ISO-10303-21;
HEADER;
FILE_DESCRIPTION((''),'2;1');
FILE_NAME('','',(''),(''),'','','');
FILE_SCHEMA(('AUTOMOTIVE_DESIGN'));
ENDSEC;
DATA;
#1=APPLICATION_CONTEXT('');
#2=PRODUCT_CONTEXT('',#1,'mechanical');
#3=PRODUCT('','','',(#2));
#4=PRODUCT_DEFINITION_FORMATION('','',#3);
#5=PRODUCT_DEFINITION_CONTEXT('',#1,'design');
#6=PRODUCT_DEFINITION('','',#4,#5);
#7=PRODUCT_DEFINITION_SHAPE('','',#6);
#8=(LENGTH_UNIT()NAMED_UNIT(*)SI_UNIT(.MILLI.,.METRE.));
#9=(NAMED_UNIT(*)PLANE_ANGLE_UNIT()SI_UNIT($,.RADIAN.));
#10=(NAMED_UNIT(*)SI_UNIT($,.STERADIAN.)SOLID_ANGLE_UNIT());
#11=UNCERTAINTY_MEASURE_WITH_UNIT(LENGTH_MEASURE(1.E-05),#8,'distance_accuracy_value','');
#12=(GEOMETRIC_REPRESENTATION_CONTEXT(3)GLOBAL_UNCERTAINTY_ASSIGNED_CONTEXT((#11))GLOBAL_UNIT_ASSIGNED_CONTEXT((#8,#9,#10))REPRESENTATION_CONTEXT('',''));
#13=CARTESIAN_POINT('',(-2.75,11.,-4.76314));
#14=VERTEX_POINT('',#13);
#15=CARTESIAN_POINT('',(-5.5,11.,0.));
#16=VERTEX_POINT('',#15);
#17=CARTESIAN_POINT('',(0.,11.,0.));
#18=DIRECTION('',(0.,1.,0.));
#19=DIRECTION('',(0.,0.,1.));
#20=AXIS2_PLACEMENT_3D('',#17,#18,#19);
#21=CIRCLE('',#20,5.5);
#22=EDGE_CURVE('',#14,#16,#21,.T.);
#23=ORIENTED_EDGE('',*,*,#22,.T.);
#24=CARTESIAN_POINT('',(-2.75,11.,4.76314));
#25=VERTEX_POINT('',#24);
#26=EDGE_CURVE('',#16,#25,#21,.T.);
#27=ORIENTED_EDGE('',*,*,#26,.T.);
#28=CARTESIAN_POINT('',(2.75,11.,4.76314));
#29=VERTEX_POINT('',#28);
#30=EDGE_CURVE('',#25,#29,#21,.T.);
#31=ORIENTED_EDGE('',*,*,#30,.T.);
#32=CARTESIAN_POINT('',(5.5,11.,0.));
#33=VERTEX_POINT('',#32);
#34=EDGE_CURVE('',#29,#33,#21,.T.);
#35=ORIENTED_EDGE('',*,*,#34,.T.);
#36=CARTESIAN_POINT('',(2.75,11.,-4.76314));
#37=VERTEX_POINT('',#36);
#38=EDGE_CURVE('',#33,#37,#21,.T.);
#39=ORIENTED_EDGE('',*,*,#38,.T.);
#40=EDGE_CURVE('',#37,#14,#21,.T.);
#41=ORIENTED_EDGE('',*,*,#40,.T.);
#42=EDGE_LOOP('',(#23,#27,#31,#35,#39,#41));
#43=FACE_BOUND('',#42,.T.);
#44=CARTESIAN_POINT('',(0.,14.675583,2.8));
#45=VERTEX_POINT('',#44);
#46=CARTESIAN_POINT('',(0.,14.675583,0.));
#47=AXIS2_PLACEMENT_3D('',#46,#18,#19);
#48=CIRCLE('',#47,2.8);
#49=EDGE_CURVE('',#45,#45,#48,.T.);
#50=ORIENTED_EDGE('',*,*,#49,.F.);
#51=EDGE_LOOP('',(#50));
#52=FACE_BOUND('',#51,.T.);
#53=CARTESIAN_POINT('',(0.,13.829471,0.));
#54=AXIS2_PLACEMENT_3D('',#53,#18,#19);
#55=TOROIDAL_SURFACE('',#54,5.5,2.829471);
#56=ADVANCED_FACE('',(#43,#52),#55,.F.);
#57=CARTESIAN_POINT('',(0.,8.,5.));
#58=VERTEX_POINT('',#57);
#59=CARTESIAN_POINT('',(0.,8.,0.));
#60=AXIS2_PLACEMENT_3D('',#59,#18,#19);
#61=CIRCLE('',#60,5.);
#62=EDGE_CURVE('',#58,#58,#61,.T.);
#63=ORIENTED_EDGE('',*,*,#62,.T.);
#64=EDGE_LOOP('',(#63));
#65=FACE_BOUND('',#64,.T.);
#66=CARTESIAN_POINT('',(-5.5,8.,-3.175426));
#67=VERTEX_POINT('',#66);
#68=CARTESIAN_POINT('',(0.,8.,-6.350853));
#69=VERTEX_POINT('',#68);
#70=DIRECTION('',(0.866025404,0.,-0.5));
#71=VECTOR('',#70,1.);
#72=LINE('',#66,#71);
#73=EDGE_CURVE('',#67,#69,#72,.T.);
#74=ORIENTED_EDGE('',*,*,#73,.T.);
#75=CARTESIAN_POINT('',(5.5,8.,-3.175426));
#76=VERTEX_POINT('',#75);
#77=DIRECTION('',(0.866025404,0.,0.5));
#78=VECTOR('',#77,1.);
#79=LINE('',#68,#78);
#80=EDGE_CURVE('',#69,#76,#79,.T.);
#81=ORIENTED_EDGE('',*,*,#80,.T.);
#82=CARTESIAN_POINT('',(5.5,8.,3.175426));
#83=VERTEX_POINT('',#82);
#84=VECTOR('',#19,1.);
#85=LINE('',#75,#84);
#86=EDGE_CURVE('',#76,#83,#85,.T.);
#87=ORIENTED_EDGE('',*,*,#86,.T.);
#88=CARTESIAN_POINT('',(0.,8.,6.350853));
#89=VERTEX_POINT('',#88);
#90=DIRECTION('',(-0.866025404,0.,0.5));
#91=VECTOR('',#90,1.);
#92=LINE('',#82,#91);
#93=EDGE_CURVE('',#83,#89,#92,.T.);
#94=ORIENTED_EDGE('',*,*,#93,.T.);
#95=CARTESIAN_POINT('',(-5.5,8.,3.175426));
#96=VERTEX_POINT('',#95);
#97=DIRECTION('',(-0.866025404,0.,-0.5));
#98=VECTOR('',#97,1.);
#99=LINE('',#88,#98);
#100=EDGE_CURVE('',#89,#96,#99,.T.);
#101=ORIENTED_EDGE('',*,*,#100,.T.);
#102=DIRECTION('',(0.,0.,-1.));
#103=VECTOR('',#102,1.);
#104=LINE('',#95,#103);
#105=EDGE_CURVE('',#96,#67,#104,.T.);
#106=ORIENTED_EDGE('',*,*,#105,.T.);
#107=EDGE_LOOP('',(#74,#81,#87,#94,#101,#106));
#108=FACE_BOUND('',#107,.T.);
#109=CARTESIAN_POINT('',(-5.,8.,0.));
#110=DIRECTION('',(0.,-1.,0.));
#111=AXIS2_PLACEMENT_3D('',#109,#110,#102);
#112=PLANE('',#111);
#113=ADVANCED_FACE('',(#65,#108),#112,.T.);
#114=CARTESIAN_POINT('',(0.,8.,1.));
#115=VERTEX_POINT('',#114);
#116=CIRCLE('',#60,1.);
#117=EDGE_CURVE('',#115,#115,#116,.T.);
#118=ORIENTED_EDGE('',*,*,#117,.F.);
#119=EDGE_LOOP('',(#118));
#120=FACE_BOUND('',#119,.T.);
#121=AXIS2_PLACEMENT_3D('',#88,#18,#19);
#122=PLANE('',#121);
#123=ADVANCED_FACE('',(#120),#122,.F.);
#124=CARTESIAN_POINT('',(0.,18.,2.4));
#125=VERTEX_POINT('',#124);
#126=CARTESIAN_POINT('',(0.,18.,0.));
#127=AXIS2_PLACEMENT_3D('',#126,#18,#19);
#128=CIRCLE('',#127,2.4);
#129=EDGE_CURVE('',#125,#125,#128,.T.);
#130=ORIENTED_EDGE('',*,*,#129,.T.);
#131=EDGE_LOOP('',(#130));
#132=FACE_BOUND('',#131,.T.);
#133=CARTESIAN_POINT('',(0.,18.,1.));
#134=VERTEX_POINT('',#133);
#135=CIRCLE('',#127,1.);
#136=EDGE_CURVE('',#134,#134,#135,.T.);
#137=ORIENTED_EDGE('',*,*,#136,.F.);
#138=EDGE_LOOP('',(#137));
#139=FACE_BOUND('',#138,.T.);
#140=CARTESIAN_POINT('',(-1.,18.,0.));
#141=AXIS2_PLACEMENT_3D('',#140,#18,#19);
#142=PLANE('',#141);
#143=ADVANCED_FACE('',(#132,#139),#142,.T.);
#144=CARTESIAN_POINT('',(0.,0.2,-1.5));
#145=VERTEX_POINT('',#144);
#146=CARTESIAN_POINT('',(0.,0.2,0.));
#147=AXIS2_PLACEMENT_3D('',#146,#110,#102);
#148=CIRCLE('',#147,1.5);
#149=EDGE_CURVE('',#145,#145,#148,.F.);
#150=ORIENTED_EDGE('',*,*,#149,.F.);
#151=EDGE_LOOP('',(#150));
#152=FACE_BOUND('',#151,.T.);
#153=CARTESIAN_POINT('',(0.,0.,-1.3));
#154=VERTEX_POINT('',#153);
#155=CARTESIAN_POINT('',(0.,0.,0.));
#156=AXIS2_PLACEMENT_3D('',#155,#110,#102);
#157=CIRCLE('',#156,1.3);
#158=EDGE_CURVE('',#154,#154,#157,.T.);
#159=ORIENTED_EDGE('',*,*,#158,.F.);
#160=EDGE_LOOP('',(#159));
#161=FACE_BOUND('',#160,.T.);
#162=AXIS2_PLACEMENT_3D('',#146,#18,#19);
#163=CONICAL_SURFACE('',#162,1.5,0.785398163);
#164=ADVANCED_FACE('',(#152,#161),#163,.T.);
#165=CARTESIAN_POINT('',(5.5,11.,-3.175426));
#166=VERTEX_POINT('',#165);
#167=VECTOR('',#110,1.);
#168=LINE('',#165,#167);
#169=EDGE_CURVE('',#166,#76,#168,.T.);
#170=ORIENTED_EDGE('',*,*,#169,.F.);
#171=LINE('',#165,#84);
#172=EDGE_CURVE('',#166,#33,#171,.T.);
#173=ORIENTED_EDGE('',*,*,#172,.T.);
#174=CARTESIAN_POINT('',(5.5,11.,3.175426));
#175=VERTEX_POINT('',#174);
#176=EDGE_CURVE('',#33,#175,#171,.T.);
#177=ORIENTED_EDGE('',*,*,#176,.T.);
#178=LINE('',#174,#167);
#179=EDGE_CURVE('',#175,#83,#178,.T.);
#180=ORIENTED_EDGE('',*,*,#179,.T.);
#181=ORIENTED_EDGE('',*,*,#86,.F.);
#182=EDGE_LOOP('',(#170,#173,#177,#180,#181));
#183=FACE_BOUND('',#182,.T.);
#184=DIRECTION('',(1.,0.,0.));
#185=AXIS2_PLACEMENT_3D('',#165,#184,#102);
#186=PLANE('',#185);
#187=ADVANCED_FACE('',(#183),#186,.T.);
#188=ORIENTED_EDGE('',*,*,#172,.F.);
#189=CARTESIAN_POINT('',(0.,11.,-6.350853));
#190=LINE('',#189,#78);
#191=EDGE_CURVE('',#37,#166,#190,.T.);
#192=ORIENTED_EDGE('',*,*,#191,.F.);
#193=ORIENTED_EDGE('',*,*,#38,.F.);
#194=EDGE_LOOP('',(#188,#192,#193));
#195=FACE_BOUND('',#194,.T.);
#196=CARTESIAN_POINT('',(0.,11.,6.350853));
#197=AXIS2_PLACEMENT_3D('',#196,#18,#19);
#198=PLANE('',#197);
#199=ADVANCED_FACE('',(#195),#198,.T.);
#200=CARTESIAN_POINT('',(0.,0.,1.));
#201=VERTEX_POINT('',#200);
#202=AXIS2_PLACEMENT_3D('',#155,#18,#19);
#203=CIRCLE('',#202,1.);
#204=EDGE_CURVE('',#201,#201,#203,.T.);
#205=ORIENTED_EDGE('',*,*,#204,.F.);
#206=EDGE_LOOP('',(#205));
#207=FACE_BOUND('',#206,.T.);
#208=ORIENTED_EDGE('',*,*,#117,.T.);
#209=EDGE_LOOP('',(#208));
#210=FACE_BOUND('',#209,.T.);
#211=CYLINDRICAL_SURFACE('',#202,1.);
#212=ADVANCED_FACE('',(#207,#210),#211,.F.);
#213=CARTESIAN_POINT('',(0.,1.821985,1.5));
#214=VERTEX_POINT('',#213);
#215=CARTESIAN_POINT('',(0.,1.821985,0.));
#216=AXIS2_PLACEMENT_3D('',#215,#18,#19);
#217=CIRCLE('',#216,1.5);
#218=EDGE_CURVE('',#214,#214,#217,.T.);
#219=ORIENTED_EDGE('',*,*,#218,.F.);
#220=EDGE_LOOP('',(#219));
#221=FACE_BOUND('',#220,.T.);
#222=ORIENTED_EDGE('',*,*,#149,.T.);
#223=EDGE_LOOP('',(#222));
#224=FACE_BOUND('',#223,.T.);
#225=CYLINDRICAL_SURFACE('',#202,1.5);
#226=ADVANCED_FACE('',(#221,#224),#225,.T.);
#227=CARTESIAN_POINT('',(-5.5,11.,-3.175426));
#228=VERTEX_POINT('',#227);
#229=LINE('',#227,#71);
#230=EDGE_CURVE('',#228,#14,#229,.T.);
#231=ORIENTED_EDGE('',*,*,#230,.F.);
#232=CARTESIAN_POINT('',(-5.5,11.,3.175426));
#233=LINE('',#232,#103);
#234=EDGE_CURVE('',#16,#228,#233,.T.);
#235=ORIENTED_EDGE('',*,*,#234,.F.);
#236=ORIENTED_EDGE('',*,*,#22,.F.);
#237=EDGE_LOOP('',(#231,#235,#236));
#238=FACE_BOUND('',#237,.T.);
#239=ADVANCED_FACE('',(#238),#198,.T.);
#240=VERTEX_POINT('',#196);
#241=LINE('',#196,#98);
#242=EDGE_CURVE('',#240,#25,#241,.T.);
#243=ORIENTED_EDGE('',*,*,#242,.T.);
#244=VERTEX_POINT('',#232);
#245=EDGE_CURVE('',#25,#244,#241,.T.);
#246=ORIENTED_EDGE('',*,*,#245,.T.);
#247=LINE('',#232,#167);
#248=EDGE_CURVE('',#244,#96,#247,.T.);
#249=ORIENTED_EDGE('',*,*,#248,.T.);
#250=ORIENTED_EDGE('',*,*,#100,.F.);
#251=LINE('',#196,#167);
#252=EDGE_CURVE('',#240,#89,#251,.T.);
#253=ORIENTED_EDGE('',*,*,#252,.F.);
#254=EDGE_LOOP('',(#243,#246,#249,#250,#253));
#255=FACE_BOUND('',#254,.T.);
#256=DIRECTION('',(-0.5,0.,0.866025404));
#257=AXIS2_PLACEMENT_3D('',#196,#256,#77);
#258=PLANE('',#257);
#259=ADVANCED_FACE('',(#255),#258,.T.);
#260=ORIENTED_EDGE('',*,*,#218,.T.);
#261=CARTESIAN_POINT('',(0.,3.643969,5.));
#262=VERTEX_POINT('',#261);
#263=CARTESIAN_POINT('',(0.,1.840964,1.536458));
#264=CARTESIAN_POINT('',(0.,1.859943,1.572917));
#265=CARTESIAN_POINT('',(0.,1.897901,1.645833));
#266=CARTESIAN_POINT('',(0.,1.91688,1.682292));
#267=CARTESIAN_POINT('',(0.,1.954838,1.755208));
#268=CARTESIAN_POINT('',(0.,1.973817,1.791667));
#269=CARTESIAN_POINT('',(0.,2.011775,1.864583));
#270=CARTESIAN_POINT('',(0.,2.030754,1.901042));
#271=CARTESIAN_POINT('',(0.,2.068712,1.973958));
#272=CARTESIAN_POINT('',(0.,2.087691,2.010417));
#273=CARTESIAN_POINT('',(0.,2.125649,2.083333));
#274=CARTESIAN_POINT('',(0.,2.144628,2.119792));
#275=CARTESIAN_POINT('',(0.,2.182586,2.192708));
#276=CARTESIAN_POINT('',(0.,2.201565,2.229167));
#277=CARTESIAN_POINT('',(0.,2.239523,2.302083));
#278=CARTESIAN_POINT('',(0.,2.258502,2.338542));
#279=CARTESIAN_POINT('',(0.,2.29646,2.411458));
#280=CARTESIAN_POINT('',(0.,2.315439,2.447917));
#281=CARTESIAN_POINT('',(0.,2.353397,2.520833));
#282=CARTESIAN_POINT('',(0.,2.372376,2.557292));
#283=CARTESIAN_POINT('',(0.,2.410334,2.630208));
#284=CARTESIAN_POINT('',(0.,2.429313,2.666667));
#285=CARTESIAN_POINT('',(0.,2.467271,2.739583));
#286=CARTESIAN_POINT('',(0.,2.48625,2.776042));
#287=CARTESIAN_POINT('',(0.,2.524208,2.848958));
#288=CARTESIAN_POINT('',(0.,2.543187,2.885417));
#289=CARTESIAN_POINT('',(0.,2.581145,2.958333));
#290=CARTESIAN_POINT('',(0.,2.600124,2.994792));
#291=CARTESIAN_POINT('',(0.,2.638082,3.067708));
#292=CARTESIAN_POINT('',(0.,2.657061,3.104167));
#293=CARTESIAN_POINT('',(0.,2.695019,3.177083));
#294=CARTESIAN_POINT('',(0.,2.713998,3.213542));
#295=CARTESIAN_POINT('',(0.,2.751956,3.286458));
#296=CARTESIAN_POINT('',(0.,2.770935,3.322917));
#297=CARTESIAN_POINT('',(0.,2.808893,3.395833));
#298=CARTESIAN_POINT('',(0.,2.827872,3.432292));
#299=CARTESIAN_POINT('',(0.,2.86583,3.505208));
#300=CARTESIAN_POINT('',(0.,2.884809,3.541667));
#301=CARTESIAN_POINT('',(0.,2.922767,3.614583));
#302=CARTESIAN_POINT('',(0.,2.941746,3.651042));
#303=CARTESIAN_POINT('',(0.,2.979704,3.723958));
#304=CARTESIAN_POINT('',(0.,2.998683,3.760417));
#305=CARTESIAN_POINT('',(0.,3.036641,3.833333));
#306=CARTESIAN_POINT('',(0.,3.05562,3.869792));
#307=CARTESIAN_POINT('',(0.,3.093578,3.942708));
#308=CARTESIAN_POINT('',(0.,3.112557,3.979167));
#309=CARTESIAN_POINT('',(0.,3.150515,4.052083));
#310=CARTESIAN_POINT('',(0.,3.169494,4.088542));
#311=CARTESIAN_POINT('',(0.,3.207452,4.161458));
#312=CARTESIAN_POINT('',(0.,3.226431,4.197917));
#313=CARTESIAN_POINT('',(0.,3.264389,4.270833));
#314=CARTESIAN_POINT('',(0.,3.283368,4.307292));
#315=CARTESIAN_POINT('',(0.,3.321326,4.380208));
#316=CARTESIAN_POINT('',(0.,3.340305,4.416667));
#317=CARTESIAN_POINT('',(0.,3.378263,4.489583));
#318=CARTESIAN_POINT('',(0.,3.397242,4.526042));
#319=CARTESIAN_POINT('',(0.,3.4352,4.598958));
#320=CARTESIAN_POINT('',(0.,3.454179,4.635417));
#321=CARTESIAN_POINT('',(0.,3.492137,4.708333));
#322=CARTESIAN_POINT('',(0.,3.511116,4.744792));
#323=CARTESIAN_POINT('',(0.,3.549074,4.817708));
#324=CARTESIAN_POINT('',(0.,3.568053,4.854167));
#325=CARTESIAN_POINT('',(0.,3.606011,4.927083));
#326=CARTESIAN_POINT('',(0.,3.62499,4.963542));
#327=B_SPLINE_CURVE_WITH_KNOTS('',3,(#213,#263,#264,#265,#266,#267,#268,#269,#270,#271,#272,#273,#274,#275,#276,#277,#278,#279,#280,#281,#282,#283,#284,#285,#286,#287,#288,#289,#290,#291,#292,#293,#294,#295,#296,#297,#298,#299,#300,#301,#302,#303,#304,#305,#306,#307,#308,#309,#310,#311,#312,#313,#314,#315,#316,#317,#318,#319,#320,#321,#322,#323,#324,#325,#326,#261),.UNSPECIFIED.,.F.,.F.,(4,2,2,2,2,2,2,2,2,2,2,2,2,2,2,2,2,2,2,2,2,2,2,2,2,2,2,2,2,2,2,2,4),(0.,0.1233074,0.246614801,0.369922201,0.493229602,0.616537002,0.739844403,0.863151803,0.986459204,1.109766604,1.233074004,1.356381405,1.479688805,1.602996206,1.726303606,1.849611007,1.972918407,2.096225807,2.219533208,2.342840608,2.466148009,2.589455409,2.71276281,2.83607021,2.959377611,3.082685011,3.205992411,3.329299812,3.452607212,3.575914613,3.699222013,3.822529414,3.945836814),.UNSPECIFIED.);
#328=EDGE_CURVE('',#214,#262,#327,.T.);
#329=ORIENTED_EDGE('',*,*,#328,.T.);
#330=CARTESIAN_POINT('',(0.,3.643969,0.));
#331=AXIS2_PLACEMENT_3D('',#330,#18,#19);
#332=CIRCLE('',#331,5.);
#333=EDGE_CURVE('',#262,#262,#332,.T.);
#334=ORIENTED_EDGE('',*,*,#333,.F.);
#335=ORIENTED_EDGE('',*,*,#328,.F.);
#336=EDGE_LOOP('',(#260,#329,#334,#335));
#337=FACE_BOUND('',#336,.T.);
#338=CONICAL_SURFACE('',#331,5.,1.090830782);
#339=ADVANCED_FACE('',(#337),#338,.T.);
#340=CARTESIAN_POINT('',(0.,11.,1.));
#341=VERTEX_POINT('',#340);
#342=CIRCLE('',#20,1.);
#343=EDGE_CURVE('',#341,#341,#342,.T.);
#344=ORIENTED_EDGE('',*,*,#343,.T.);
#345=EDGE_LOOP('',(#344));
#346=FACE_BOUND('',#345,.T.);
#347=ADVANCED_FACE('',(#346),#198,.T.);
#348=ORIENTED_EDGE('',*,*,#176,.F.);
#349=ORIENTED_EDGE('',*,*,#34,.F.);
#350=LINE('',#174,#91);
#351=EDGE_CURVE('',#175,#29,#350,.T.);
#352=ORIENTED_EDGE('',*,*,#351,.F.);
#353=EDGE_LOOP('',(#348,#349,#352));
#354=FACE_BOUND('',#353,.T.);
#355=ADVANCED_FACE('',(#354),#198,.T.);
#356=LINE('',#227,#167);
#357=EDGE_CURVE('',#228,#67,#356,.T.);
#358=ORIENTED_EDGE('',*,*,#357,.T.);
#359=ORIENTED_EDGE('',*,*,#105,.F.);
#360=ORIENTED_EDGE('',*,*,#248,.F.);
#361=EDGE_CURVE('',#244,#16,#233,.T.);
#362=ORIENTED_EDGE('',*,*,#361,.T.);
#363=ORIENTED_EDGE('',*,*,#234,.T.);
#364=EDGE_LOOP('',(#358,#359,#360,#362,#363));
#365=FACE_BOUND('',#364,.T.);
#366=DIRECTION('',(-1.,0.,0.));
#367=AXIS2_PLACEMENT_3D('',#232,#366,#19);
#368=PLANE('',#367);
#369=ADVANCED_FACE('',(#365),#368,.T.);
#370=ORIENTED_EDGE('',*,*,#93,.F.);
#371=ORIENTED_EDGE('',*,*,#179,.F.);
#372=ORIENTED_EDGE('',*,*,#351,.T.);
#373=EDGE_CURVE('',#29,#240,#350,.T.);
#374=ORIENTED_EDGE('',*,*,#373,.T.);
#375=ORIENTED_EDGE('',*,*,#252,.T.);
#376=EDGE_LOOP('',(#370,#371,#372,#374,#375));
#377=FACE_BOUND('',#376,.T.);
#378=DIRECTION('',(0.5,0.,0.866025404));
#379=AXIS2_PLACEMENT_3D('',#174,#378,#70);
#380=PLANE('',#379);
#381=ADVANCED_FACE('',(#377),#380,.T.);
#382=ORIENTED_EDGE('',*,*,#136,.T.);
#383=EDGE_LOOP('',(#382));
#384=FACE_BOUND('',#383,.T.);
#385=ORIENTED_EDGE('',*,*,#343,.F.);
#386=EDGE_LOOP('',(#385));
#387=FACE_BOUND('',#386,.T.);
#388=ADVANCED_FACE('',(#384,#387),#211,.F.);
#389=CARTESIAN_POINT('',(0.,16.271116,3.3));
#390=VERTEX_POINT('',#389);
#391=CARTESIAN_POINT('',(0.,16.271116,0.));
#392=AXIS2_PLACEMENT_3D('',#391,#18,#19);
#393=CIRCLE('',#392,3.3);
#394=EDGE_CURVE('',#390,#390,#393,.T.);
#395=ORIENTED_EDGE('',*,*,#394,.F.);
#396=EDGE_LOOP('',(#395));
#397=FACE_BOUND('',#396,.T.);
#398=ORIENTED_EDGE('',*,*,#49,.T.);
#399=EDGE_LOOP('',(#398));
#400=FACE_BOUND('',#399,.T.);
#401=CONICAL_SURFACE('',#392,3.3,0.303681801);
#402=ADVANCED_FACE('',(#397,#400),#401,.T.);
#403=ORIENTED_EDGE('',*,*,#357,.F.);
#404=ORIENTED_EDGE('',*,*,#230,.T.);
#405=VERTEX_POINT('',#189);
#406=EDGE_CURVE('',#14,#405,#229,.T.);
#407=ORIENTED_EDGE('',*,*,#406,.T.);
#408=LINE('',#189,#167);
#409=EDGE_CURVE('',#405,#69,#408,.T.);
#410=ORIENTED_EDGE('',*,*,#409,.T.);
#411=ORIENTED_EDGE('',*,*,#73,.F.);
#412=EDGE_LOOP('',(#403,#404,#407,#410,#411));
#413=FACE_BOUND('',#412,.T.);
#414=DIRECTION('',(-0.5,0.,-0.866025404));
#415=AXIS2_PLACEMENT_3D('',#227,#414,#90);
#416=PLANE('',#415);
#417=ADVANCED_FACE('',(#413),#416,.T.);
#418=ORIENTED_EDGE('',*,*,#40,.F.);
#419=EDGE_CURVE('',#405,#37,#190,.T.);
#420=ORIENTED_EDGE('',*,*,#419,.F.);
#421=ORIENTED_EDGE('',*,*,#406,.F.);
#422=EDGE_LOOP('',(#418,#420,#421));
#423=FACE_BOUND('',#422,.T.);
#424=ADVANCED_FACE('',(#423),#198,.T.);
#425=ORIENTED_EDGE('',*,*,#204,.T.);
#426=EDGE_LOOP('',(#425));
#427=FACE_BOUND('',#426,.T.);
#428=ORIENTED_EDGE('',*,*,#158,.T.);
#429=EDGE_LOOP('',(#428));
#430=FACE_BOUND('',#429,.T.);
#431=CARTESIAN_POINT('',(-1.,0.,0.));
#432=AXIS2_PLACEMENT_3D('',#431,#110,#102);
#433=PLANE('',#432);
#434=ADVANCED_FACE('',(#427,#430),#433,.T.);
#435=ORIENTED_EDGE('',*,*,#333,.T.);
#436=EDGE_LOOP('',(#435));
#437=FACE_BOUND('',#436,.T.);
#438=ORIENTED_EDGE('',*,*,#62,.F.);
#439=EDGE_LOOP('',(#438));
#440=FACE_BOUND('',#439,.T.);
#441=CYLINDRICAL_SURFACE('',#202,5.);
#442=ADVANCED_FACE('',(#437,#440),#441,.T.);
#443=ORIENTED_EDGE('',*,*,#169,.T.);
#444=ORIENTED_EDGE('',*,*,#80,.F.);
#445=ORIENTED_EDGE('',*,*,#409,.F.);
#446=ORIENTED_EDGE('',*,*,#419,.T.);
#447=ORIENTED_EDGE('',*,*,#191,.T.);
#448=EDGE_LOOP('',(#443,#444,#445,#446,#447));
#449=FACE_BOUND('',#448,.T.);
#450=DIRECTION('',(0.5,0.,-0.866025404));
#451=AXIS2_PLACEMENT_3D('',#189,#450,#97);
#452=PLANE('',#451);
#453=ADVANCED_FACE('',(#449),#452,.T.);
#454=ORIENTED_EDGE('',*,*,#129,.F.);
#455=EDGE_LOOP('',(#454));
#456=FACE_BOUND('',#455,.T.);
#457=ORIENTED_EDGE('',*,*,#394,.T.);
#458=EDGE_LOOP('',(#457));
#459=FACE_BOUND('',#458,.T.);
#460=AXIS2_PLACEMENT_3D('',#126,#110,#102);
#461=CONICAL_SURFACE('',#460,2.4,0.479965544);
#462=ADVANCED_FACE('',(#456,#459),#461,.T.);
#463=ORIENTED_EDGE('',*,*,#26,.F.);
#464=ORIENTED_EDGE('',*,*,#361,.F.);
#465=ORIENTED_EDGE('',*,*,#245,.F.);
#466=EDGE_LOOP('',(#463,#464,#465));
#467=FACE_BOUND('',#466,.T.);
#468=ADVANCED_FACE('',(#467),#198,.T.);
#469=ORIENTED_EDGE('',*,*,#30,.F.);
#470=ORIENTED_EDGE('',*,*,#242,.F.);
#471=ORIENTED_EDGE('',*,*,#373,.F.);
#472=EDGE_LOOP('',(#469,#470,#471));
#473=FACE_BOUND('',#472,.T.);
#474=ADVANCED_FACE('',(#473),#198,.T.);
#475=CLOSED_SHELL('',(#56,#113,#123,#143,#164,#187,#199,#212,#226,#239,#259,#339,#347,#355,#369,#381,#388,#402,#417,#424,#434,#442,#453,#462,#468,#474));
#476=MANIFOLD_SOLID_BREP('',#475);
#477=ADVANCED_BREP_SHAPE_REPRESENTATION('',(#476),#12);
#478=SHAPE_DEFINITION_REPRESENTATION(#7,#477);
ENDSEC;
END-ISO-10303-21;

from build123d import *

# Parameters (mm, degrees)
EXTRUDE_1_DEPTH = 3
CHAMFER_1_SIZE  = 0.2


with BuildPart() as part:
    # 草图1 → 旋转2 (revolve)
    with BuildSketch(Plane.XY, mode=Mode.PRIVATE) as revolve_2_sk:
        with BuildLine():
            Line((-1, 18), (-2.4, 18))
            Line((-2.4, 18), (-3.3, 16.271116086))
            Line((-3.3, 16.271116086), (-2.8, 14.675583457))
            ThreePointArc((-2.8, 14.675583457), (-3.219653878, 12.154380629), (-5.5, 11))
            Line((-5.5, 11), (-5.5, 8))
            Line((-5.5, 8), (-5, 8))
            Line((-5, 8), (-5, 3.643969354))
            Line((-5, 3.643969354), (-1.5, 1.821984677))
            Line((-1.5, 1.821984677), (-1.5, 0))
            Line((-1.5, 0), (-1, 0))
            Line((-1, 0), (-1, 18))
        make_face()
    revolve(revolve_2_sk.sketch.rotate(Axis((0, 0, 0), (0, -1, 0)), 270), axis=Axis((0, 0, 0), (0, -1, 0)))

    # 草图2 → 拉伸1 (add)
    with BuildSketch(Plane.XZ.offset(-8)):
        Polygon((-5.5, 3.175426481), (-5.5, -3.175426481), (0, -6.350852961), (5.5, -3.175426481), (5.5, 3.175426481), (0, 6.350852961), align=None)
    extrude(amount=-EXTRUDE_1_DEPTH)

    # 倒角1
    chamfer_1_edges = [part.edges().sort_by_distance(p)[0] for p in [
        (0, 0, -1.5),
    ]]
    chamfer(chamfer_1_edges, length=CHAMFER_1_SIZE)


solid = part.part
